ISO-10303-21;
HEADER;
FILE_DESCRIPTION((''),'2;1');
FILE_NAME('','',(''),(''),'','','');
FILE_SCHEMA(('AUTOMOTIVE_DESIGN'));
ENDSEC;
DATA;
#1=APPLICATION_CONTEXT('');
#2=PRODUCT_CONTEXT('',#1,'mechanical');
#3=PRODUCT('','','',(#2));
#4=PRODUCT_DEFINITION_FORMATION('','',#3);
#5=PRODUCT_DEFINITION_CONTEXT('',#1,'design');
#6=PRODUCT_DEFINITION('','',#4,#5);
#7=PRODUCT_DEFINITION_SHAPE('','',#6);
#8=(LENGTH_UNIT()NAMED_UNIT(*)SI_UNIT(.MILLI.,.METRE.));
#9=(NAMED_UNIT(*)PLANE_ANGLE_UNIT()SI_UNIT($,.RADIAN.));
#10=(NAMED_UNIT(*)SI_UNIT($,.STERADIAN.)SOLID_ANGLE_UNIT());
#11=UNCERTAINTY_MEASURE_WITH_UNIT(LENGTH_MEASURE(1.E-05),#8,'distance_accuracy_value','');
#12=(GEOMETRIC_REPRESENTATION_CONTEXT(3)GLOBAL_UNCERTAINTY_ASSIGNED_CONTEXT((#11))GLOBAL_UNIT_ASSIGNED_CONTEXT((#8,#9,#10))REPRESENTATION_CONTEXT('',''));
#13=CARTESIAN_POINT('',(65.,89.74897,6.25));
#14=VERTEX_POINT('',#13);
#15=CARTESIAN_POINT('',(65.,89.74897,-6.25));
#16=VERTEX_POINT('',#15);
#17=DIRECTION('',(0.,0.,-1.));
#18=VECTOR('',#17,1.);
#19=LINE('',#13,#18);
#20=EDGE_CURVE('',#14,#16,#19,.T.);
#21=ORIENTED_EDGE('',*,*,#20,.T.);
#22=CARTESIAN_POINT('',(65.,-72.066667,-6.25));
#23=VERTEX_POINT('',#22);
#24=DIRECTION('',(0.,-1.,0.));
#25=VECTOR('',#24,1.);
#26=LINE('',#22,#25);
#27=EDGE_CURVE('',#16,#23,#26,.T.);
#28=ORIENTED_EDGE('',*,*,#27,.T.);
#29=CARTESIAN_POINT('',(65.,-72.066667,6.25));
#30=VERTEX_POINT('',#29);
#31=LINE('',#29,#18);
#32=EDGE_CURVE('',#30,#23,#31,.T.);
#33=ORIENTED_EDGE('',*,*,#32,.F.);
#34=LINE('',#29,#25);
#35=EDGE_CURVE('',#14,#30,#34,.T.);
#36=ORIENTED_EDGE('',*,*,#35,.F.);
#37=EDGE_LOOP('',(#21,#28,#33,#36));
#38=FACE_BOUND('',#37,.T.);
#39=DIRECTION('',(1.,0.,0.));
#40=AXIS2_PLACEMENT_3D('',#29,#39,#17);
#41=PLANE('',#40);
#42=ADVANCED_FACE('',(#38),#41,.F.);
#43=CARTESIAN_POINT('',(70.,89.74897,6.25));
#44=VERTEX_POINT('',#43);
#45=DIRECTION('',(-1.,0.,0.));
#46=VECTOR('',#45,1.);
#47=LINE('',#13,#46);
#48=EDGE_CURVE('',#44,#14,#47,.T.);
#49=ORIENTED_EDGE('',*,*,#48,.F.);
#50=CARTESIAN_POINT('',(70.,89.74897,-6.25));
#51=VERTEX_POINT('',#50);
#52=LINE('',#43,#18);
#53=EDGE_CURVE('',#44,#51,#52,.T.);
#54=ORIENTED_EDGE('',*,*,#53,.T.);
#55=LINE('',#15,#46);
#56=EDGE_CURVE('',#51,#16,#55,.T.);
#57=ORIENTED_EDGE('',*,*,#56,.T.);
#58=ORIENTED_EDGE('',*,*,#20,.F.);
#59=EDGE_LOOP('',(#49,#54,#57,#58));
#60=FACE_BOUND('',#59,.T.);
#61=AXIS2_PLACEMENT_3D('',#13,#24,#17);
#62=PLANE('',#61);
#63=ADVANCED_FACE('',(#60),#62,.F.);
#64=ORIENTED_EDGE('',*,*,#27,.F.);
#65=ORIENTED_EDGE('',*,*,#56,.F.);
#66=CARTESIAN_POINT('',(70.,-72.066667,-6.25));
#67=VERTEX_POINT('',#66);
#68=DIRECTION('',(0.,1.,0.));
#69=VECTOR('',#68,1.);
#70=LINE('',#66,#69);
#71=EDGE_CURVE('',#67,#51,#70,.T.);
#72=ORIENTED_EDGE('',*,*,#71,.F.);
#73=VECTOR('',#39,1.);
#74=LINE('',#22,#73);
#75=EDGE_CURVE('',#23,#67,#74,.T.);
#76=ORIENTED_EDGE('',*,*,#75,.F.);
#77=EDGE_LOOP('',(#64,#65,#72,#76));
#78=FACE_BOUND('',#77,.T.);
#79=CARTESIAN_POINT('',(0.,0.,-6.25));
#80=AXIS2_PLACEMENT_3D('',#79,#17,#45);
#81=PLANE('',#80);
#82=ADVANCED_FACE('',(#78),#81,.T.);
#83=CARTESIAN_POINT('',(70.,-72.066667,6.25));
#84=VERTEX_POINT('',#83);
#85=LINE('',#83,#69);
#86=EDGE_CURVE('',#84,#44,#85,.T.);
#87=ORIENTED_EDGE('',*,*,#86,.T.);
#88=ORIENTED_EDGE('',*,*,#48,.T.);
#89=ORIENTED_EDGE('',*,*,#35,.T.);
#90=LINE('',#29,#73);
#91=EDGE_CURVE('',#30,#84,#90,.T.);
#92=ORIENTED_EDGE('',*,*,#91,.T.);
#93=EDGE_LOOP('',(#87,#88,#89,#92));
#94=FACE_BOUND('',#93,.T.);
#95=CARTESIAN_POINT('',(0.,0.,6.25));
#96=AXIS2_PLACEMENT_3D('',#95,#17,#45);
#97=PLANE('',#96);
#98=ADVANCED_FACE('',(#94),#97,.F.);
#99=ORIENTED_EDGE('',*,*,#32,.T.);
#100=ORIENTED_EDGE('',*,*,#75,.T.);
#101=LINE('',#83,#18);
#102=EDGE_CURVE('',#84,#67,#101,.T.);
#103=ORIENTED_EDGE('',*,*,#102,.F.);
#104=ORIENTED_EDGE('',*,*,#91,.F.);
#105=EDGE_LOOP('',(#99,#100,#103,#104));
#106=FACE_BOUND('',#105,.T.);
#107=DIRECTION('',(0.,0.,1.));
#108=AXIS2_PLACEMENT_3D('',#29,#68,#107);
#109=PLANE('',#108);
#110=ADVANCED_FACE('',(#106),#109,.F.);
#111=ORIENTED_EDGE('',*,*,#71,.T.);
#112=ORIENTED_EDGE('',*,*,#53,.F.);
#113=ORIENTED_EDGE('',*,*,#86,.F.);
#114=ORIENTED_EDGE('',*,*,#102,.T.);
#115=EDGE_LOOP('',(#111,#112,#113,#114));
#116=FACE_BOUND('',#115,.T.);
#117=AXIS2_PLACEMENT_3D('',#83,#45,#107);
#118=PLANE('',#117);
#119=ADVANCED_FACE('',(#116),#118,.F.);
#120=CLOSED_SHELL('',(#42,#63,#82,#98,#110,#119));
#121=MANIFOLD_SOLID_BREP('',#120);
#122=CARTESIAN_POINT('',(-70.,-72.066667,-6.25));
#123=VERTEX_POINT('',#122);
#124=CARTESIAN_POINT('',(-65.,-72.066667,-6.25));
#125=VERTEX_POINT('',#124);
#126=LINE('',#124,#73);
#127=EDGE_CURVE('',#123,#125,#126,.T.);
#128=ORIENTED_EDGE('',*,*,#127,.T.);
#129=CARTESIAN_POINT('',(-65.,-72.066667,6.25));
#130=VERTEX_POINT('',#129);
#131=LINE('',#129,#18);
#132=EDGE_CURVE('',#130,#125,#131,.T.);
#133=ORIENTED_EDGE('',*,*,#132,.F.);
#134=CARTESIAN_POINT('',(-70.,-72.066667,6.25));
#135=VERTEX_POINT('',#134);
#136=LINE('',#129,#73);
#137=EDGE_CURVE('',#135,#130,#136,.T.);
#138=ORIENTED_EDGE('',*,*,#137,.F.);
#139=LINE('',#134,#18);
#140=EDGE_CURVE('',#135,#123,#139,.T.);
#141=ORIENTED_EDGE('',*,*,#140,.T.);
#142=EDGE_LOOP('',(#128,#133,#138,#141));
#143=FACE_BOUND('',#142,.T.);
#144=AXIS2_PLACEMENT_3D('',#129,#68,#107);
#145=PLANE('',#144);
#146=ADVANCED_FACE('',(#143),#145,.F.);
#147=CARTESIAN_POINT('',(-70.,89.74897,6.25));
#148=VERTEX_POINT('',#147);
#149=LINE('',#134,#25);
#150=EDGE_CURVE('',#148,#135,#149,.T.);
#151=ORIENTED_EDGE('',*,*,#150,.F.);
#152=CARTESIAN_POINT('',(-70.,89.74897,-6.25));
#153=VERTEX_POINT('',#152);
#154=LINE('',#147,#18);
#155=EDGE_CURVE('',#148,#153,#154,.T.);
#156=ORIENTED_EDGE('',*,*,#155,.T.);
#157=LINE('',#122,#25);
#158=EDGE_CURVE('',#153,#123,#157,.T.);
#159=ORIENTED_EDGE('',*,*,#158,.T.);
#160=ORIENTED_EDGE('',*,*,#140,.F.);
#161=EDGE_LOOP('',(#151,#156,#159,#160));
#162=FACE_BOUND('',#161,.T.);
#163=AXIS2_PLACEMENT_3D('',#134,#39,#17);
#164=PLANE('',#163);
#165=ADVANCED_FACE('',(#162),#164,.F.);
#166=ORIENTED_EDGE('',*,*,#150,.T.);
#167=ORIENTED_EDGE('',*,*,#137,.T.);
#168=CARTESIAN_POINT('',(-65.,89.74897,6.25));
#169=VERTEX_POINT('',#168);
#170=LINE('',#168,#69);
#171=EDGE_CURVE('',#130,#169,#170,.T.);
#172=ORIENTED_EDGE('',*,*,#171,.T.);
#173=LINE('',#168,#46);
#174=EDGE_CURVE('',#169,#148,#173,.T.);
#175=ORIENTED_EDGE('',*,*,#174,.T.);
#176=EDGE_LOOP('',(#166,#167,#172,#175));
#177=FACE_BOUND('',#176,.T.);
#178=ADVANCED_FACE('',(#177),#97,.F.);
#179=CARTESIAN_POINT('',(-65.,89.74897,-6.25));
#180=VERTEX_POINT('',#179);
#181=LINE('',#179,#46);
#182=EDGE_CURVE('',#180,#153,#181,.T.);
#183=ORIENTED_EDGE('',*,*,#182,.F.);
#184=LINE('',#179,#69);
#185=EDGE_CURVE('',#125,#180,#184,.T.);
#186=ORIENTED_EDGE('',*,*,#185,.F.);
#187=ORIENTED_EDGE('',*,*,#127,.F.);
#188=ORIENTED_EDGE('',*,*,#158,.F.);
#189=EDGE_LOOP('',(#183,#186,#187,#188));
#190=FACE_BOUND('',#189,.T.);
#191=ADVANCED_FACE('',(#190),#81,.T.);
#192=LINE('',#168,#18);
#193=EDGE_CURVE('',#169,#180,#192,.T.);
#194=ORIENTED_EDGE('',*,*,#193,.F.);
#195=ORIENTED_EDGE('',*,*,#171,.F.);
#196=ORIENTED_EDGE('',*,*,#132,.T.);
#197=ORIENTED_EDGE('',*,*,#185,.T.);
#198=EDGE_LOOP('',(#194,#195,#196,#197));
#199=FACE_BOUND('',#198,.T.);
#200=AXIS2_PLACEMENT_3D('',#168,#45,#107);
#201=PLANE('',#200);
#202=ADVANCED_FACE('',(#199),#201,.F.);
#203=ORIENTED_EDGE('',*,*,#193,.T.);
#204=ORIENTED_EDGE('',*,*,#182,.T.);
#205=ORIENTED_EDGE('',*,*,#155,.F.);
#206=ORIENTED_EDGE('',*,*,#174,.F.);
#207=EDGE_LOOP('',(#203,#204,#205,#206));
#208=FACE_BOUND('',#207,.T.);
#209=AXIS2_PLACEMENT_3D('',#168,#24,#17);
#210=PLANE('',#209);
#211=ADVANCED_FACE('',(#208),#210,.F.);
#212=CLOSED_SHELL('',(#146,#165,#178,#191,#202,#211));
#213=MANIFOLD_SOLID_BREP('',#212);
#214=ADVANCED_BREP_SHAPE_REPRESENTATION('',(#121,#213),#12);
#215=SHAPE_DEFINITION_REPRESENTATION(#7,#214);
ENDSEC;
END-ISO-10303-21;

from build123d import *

# Parameters (mm, degrees)
SKETCH_2_W        = 5
SKETCH_2_H        = 161.81563722
EXTRUDE_2_DEPTH   = 6.25
EXTRUDE_2_2_DEPTH = 6.25


with BuildPart() as part:
    # 스케치2 → 보스-돌출2 (new body, symmetric)
    with BuildSketch(Plane.XY):
        with Locations((-67.5, 8.84115151)):
            Rectangle(SKETCH_2_W, SKETCH_2_H)
    extrude(amount=EXTRUDE_2_DEPTH, both=True)


with BuildPart() as body_2:
    # 스케치2 → Extrude 2 2 (new body, symmetric)
    with BuildSketch(Plane.XY):
        with Locations((67.5, 8.84115151)):
            Rectangle(SKETCH_2_W, SKETCH_2_H)
    extrude(amount=EXTRUDE_2_2_DEPTH, both=True)


solid = Compound([part.part, body_2.part])
